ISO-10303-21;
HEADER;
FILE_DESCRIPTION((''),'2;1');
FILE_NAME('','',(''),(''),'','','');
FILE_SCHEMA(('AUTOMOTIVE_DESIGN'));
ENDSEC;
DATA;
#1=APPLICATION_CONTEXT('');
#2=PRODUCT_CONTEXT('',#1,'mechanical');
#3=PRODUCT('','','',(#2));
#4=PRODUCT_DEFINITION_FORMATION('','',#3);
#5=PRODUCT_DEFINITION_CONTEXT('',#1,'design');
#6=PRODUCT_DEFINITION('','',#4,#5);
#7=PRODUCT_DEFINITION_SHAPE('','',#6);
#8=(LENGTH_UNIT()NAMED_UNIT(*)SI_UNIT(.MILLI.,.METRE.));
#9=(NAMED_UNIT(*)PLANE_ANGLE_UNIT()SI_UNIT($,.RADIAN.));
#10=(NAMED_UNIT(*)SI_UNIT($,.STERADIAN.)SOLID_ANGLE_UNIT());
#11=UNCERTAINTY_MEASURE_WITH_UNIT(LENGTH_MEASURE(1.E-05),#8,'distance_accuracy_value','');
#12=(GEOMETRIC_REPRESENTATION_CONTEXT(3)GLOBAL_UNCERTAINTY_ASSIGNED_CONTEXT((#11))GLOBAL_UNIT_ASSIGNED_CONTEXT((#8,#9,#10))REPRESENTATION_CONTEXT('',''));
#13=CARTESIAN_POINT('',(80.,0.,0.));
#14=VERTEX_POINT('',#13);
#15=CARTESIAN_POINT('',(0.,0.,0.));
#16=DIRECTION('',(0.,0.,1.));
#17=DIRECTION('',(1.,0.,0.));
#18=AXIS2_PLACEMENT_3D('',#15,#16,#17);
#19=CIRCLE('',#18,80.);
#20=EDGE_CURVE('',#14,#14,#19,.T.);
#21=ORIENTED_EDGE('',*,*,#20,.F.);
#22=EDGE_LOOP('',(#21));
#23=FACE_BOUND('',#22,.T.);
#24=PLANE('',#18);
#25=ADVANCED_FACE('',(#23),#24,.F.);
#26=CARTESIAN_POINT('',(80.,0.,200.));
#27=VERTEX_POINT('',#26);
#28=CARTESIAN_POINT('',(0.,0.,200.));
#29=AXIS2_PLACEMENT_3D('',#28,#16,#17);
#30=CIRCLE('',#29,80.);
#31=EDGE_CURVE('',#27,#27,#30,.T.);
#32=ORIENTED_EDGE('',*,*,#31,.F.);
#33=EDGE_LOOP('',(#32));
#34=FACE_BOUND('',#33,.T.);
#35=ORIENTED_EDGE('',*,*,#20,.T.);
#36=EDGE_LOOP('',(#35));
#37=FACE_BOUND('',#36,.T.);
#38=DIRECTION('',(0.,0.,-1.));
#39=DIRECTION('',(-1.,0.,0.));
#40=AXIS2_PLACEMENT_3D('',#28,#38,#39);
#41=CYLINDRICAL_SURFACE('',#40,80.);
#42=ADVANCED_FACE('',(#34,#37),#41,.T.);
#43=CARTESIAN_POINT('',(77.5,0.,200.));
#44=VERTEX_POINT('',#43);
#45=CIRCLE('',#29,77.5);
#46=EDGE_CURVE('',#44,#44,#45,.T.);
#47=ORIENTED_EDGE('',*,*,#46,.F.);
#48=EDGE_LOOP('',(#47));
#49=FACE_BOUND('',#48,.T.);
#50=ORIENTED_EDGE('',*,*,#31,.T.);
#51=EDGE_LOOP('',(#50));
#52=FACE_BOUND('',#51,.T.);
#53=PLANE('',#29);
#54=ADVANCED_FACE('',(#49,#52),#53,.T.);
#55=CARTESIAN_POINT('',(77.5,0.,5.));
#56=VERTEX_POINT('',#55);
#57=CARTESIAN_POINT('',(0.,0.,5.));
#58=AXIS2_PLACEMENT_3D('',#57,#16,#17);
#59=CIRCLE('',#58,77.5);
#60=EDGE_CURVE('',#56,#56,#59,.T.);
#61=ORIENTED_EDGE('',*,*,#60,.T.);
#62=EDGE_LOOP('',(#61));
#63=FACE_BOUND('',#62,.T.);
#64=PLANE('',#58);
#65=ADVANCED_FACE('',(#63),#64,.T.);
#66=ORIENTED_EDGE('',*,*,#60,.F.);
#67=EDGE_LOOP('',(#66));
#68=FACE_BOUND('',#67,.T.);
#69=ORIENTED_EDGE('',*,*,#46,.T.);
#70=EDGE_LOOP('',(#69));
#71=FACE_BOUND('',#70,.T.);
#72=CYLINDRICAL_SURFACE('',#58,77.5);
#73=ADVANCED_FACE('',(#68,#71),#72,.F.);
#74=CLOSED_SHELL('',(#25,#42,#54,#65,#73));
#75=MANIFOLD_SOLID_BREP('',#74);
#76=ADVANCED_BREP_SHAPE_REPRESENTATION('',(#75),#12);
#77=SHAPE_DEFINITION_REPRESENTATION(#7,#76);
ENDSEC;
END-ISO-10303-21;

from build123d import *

# Parameters (mm, degrees)
ESQUISSE3_R             = 80
BOSS_EXTRU_2_DEPTH      = 200
ESQUISSE4_R             = 77.5
ENL_V_MAT_EXTRU_2_DEPTH = 195


with BuildPart() as part:
    # Esquisse3 → Boss.-Extru.2 (new body)
    with BuildSketch(Plane.XY):
        Circle(ESQUISSE3_R)
    extrude(amount=BOSS_EXTRU_2_DEPTH)

    # Esquisse4 → Enlèv. mat.-Extru.2 (cut)
    with BuildSketch(Plane.XY.offset(200)):
        Circle(ESQUISSE4_R)
    extrude(amount=-ENL_V_MAT_EXTRU_2_DEPTH, mode=Mode.SUBTRACT)


solid = part.part
